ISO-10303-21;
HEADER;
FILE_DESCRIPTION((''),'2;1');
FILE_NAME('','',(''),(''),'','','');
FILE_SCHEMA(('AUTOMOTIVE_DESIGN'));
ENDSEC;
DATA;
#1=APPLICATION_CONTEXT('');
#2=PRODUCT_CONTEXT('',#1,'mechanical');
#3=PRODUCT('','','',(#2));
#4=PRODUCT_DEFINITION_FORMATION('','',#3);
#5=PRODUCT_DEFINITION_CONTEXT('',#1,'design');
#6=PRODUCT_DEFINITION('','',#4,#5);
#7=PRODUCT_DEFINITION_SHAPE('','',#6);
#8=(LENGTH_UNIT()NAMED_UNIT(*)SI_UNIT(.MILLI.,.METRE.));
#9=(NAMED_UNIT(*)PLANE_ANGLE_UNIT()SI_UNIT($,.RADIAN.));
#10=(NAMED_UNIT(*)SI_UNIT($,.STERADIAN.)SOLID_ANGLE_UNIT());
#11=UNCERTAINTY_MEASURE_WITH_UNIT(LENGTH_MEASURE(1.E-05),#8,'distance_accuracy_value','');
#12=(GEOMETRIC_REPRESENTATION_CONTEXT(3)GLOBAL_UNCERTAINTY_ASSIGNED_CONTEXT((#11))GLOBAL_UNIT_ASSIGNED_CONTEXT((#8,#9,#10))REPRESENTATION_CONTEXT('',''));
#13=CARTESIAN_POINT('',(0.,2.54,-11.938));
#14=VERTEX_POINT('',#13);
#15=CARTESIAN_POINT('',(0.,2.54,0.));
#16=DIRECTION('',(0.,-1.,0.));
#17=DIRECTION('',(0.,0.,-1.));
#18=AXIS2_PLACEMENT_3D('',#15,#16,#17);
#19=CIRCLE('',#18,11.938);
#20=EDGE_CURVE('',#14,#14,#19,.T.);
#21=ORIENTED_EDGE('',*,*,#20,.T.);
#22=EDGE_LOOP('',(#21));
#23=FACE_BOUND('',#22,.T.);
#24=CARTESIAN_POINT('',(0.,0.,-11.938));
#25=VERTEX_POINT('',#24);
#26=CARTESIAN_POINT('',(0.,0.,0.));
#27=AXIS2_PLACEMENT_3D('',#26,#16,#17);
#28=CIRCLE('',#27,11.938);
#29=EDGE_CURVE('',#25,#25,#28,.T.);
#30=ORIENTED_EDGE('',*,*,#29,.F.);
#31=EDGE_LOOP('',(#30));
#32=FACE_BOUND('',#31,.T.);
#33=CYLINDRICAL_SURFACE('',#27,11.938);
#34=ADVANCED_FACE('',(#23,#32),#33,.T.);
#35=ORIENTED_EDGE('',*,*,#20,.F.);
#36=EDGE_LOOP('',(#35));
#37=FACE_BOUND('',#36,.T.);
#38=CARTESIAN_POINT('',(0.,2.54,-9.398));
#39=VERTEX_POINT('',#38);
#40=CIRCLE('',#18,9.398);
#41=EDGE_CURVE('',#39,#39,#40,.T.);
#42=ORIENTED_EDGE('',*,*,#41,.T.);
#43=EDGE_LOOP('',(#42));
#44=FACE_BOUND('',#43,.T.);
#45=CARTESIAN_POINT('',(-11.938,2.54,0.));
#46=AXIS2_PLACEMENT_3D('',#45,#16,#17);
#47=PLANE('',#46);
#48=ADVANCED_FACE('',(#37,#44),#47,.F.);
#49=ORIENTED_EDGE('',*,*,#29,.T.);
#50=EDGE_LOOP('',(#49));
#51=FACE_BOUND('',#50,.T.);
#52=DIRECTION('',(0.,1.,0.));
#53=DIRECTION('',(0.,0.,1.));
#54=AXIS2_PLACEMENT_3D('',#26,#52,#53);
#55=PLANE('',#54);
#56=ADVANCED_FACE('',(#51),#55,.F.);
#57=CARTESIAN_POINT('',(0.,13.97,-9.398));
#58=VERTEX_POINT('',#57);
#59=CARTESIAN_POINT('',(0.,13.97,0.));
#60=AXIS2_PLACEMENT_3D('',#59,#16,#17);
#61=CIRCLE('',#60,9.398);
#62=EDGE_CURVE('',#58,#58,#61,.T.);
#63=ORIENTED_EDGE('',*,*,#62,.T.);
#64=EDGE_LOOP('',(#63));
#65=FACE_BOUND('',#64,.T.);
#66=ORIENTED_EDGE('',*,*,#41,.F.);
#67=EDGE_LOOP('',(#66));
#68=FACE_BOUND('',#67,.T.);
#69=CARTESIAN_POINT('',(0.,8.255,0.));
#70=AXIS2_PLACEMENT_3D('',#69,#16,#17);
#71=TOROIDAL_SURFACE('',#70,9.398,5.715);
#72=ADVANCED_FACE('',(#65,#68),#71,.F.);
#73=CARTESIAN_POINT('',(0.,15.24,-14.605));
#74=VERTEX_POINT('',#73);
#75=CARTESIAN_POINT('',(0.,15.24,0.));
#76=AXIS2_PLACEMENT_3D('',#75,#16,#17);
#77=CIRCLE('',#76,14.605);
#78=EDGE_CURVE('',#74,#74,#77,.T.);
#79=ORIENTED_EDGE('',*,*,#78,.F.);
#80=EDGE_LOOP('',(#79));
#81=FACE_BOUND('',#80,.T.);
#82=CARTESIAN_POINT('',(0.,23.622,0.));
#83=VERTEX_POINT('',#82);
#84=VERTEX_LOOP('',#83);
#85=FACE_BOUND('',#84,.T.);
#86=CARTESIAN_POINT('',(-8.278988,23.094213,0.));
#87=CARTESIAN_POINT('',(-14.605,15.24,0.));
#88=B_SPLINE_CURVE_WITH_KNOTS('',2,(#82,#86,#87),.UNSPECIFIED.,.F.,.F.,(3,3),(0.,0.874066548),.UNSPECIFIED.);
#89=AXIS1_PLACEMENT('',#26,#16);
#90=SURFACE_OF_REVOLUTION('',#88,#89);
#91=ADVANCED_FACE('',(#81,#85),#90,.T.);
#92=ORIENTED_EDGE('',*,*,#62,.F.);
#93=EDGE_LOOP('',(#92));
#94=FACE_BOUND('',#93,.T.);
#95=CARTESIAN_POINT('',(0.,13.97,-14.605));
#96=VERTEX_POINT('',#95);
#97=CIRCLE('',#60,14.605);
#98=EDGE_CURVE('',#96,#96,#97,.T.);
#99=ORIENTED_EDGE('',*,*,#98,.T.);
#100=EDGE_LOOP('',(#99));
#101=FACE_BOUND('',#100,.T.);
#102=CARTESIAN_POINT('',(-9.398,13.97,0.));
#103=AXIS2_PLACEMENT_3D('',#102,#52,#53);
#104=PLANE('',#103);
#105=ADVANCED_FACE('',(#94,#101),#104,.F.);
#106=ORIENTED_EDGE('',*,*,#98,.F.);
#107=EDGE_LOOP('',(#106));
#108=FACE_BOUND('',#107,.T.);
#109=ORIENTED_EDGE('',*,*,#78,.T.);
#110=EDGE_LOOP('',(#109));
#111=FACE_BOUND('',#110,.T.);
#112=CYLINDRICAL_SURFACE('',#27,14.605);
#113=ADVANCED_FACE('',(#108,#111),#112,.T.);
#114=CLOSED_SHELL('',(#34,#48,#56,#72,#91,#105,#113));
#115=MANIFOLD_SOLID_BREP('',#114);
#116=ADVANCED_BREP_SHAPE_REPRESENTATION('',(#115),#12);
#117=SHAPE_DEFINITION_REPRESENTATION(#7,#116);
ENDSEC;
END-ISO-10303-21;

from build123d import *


with BuildPart() as part:
    # Sketch1 → Revolve1 (revolve)
    with BuildSketch(Plane.XY, mode=Mode.PRIVATE) as revolve1_sk:
        with BuildLine():
            Line((0, 0), (-11.938, 0))
            Line((-11.938, 0), (-11.938, 2.54))
            Line((-11.938, 2.54), (-9.398, 2.54))
            ThreePointArc((-9.398, 2.54), (-3.683, 8.255), (-9.398, 13.97))
            Line((-9.398, 13.97), (-14.605, 13.97))
            Line((-14.605, 13.97), (-14.605, 15.24))
            add(Edge.make_bspline(
                [(-14.605, 15.24), (-8.278988418, 23.094212904), (0, 23.622)],
                knots=[0, 0, 0, 0.874066548, 0.874066548, 0.874066548], degree=2))
            Line((0, 23.622), (0, 0))
        make_face()
    revolve(revolve1_sk.sketch.rotate(Axis((0, 0, 0), (0, 1, 0)), 270), axis=Axis((0, 0, 0), (0, 1, 0)))


solid = part.part
